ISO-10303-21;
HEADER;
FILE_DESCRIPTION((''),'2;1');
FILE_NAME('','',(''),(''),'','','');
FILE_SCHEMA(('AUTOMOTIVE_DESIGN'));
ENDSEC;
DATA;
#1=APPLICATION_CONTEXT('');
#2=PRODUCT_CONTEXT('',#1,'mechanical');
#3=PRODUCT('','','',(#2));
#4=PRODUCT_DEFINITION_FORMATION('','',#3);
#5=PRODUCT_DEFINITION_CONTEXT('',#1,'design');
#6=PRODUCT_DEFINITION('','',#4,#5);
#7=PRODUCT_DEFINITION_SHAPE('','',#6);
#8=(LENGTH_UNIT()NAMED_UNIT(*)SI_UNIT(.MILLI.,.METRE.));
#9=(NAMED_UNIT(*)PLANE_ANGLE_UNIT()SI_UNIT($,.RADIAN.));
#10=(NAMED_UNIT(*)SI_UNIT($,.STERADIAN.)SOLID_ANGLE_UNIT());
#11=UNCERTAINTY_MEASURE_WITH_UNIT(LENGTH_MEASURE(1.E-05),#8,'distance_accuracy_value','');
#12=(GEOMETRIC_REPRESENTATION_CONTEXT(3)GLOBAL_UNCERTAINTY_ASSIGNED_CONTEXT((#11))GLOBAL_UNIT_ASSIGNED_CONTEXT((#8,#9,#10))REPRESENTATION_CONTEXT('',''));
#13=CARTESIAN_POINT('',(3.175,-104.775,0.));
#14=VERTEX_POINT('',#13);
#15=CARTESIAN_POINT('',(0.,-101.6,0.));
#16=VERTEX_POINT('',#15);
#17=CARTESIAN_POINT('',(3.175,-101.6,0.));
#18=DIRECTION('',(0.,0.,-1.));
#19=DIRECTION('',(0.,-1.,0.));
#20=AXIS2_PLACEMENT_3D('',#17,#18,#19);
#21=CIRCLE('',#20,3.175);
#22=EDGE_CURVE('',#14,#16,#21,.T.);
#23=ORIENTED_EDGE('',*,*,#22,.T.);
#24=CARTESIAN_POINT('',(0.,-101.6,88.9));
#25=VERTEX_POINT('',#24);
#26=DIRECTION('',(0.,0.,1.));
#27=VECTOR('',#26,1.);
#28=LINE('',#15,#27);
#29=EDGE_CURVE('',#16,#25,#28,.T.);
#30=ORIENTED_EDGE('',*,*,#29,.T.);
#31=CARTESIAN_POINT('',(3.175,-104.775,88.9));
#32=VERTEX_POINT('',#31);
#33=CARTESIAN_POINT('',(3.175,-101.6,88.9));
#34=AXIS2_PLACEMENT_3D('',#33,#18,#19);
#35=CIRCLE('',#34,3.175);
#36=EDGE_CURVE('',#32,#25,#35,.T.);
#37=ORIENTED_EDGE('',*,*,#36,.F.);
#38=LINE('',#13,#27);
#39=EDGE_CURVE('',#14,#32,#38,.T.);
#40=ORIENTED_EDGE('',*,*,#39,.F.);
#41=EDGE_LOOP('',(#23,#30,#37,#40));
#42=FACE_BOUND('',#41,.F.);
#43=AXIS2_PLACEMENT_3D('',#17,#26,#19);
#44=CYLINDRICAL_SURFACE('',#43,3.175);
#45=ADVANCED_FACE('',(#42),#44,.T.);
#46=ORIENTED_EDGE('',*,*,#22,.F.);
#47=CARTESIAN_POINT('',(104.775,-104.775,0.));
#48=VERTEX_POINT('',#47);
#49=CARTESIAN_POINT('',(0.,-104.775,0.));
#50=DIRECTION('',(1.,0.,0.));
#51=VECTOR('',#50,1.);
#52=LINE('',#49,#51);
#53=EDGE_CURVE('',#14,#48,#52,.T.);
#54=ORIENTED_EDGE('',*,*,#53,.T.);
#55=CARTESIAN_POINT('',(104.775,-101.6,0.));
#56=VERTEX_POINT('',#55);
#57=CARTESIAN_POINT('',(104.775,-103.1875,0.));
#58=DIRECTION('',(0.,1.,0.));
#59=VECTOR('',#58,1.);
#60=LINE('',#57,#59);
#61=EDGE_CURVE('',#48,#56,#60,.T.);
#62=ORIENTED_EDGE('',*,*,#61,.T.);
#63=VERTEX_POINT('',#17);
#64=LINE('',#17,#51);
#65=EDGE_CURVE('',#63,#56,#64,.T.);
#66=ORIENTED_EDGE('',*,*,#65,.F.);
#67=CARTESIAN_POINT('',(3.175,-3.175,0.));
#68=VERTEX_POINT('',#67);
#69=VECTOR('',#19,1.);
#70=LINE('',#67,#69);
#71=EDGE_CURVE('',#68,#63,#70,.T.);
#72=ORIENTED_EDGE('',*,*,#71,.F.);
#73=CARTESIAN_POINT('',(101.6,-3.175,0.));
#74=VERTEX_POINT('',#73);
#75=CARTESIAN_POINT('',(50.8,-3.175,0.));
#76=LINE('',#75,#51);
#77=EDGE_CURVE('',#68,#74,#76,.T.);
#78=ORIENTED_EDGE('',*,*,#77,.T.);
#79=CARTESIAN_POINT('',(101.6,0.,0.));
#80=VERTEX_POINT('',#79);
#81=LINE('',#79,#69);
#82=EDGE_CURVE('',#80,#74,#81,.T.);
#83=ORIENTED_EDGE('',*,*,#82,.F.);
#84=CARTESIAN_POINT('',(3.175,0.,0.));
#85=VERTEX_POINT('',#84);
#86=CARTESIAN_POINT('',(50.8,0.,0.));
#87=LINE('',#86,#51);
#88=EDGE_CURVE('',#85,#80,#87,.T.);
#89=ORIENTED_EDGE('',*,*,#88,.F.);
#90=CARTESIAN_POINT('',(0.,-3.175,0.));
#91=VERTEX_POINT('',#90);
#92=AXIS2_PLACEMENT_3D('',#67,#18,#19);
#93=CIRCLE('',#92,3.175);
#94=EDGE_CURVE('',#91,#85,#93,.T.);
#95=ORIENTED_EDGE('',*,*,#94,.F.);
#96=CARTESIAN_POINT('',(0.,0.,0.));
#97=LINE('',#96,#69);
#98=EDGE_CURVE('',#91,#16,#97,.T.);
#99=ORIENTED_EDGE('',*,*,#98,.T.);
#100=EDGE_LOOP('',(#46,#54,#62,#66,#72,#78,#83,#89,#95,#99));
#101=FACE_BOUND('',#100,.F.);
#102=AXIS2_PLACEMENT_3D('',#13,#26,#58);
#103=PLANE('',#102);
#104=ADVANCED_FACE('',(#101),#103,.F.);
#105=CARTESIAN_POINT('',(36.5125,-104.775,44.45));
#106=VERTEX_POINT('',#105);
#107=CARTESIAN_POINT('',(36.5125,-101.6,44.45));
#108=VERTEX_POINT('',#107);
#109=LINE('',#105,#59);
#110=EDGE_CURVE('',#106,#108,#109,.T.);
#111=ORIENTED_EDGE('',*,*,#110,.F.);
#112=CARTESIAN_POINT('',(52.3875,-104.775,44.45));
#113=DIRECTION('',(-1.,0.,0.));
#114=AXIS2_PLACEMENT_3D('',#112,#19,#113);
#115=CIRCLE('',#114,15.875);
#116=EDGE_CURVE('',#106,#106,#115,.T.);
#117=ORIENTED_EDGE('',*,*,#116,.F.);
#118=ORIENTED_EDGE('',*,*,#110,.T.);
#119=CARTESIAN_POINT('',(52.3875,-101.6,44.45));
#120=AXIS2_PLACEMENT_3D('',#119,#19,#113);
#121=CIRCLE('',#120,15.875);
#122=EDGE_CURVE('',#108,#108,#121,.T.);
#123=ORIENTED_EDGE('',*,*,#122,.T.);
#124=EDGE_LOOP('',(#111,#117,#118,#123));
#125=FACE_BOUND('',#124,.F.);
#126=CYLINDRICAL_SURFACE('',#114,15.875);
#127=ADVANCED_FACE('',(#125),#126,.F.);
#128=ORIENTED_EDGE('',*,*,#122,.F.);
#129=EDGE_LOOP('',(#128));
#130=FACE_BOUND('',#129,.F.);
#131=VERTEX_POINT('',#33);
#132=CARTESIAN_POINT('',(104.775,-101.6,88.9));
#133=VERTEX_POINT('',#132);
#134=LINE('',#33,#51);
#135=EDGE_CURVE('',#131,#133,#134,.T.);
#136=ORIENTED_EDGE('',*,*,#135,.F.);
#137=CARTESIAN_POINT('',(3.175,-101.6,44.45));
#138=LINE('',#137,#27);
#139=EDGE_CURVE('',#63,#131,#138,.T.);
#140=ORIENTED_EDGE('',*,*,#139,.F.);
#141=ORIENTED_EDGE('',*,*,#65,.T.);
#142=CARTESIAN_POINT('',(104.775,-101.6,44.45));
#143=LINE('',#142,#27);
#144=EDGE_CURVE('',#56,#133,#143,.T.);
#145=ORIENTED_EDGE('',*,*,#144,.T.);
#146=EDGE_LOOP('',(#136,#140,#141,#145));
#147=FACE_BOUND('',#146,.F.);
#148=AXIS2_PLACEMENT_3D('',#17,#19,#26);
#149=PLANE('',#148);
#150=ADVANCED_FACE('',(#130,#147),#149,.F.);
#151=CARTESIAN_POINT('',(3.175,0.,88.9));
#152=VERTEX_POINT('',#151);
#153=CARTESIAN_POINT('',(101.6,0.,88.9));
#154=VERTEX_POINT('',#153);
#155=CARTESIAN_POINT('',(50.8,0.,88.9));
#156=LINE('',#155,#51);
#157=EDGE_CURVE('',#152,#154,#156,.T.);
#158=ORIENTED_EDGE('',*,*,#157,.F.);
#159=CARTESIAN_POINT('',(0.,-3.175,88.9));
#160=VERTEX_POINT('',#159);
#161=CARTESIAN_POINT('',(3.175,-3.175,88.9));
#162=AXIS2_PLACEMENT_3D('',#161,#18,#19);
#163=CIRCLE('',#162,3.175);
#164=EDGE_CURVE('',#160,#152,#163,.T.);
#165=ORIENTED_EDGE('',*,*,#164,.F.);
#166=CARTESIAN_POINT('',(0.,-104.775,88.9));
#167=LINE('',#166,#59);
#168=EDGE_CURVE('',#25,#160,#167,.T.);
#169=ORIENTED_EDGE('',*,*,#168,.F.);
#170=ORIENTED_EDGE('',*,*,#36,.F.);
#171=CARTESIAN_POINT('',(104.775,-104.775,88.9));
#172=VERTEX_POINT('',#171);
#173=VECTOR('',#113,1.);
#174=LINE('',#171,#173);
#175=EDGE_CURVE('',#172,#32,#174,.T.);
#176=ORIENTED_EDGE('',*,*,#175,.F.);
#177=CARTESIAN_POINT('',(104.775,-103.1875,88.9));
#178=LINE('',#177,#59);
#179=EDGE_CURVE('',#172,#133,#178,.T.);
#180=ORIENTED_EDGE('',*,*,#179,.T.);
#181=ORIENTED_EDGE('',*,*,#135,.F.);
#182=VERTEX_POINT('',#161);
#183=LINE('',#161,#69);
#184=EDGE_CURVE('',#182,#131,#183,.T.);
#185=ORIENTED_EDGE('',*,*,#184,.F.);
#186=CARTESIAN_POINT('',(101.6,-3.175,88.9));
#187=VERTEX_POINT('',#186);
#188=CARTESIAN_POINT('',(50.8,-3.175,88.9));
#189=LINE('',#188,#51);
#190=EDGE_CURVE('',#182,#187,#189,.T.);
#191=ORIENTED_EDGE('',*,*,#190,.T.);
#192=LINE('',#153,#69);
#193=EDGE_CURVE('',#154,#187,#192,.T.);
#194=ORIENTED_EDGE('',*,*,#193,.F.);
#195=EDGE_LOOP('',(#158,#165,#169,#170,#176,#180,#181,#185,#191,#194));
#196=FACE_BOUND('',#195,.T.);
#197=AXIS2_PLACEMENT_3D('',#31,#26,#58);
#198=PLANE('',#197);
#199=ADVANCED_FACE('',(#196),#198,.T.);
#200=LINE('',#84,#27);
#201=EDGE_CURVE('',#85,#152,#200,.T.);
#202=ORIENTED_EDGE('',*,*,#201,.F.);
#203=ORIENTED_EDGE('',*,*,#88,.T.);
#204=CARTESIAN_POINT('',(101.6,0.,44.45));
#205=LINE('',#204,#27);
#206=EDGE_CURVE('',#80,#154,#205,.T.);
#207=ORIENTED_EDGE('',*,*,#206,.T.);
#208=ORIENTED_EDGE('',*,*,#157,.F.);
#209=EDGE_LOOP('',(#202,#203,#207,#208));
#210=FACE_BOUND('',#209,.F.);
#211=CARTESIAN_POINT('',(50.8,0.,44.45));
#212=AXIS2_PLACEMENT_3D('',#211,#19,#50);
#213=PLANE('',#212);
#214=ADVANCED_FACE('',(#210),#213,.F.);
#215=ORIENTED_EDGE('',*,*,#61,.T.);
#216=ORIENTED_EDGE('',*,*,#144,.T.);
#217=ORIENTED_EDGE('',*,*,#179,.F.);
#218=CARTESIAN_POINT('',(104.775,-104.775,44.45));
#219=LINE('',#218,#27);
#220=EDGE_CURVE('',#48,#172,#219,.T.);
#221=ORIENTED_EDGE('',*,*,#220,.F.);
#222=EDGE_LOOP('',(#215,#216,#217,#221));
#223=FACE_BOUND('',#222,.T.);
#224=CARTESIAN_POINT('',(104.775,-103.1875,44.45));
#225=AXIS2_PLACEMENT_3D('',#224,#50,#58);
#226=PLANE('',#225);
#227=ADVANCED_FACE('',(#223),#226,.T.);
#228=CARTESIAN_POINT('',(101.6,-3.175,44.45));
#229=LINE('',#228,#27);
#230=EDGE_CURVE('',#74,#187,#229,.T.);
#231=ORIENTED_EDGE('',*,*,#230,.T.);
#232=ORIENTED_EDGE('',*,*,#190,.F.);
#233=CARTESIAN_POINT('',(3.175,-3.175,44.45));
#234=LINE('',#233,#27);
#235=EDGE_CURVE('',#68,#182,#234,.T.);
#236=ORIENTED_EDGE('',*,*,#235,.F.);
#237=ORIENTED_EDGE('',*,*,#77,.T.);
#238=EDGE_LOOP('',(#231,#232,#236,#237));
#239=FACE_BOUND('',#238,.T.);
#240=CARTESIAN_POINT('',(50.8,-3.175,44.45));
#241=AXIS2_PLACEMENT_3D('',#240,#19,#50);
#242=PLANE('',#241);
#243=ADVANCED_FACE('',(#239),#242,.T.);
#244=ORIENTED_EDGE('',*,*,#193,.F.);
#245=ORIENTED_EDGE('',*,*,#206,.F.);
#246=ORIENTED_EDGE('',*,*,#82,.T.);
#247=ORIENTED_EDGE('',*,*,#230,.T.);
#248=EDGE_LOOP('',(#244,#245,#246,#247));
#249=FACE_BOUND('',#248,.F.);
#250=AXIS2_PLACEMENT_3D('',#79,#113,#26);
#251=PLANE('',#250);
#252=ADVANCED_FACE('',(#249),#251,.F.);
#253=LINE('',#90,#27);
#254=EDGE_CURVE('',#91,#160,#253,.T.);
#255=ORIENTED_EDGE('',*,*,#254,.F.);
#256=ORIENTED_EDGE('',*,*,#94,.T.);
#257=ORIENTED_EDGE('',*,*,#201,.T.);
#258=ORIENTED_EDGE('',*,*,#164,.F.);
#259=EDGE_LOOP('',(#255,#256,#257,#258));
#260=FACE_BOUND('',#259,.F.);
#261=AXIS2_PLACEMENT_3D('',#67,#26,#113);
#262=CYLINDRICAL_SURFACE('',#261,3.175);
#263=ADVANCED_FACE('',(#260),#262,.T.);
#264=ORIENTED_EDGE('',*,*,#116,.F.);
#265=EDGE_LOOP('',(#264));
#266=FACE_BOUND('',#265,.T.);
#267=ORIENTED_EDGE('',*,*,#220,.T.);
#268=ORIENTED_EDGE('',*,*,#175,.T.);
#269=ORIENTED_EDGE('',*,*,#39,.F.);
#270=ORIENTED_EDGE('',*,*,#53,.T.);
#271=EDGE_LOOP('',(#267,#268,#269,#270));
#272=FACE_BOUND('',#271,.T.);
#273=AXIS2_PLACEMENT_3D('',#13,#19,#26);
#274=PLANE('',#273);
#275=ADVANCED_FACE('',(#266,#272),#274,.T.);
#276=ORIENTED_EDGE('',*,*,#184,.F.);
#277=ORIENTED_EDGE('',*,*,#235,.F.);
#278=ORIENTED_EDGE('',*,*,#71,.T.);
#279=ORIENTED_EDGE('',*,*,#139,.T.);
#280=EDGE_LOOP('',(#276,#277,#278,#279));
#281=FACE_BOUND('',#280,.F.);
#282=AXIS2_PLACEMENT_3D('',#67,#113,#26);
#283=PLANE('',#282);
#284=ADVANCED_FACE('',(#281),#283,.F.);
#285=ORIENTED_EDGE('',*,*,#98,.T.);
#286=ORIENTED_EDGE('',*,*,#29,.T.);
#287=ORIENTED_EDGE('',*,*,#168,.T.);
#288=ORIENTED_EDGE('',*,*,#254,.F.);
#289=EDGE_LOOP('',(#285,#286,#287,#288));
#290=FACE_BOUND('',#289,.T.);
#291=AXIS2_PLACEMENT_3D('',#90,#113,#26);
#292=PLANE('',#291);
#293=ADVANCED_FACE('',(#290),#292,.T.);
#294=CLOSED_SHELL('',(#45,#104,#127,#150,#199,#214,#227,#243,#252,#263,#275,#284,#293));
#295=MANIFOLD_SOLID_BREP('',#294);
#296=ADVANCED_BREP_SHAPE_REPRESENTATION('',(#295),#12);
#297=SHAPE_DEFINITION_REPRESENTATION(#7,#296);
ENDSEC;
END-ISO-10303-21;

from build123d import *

# Parameters (mm, degrees)
F0_W     = 101.6
F0_H     = 88.9
F1_DEPTH = 3.175
F2_W     = 3.175
F2_H     = 88.9
F3_DEPTH = 101.6
F4_W     = 3.175
F4_H     = 88.9
F5_DEPTH = 101.6
F7_DEPTH = 3.175
F8_R     = 3.175


with BuildPart() as f1:
    # F0 (on Front) → F1 (new body)
    with BuildSketch(Plane.XZ):
        with Locations((50.8, 44.45)):
            Rectangle(F0_W, F0_H)
    extrude(amount=F1_DEPTH)

    # F2 (on face) → F3 (join)
    with BuildSketch(Plane.XZ.offset(3.175)):
        with Locations((1.5875, 44.45)):
            Rectangle(F2_W, F2_H)
    extrude(amount=F3_DEPTH)

    # F4 (on face) → F5 (join)
    with BuildSketch(Plane.YZ.offset(3.175)):
        with Locations((-103.1875, 44.45)):
            Rectangle(F4_W, F4_H)
    extrude(amount=F5_DEPTH)

    # F6 (on face) → F7 (cut, through all)
    with BuildSketch(Plane.XZ.offset(104.775)):
        with BuildLine():
            Line((36.5125, 44.45), (68.2625, 44.45))
            ThreePointArc((68.2625, 44.45), (52.3875, 60.325), (36.5125, 44.45))
        make_face()
        with BuildLine():
            ThreePointArc((36.5125, 44.45), (52.3875, 28.575), (68.2625, 44.45))
            Line((68.2625, 44.45), (36.5125, 44.45))
        make_face()
    extrude(amount=-F7_DEPTH, mode=Mode.SUBTRACT)

    # F8
    f8_edges = [f1.edges().sort_by_distance(p)[0] for p in [
        (0, -104.775, 44.45),
        (0, 0, 44.45),
    ]]
    fillet(f8_edges, radius=F8_R)


solid = f1.part
